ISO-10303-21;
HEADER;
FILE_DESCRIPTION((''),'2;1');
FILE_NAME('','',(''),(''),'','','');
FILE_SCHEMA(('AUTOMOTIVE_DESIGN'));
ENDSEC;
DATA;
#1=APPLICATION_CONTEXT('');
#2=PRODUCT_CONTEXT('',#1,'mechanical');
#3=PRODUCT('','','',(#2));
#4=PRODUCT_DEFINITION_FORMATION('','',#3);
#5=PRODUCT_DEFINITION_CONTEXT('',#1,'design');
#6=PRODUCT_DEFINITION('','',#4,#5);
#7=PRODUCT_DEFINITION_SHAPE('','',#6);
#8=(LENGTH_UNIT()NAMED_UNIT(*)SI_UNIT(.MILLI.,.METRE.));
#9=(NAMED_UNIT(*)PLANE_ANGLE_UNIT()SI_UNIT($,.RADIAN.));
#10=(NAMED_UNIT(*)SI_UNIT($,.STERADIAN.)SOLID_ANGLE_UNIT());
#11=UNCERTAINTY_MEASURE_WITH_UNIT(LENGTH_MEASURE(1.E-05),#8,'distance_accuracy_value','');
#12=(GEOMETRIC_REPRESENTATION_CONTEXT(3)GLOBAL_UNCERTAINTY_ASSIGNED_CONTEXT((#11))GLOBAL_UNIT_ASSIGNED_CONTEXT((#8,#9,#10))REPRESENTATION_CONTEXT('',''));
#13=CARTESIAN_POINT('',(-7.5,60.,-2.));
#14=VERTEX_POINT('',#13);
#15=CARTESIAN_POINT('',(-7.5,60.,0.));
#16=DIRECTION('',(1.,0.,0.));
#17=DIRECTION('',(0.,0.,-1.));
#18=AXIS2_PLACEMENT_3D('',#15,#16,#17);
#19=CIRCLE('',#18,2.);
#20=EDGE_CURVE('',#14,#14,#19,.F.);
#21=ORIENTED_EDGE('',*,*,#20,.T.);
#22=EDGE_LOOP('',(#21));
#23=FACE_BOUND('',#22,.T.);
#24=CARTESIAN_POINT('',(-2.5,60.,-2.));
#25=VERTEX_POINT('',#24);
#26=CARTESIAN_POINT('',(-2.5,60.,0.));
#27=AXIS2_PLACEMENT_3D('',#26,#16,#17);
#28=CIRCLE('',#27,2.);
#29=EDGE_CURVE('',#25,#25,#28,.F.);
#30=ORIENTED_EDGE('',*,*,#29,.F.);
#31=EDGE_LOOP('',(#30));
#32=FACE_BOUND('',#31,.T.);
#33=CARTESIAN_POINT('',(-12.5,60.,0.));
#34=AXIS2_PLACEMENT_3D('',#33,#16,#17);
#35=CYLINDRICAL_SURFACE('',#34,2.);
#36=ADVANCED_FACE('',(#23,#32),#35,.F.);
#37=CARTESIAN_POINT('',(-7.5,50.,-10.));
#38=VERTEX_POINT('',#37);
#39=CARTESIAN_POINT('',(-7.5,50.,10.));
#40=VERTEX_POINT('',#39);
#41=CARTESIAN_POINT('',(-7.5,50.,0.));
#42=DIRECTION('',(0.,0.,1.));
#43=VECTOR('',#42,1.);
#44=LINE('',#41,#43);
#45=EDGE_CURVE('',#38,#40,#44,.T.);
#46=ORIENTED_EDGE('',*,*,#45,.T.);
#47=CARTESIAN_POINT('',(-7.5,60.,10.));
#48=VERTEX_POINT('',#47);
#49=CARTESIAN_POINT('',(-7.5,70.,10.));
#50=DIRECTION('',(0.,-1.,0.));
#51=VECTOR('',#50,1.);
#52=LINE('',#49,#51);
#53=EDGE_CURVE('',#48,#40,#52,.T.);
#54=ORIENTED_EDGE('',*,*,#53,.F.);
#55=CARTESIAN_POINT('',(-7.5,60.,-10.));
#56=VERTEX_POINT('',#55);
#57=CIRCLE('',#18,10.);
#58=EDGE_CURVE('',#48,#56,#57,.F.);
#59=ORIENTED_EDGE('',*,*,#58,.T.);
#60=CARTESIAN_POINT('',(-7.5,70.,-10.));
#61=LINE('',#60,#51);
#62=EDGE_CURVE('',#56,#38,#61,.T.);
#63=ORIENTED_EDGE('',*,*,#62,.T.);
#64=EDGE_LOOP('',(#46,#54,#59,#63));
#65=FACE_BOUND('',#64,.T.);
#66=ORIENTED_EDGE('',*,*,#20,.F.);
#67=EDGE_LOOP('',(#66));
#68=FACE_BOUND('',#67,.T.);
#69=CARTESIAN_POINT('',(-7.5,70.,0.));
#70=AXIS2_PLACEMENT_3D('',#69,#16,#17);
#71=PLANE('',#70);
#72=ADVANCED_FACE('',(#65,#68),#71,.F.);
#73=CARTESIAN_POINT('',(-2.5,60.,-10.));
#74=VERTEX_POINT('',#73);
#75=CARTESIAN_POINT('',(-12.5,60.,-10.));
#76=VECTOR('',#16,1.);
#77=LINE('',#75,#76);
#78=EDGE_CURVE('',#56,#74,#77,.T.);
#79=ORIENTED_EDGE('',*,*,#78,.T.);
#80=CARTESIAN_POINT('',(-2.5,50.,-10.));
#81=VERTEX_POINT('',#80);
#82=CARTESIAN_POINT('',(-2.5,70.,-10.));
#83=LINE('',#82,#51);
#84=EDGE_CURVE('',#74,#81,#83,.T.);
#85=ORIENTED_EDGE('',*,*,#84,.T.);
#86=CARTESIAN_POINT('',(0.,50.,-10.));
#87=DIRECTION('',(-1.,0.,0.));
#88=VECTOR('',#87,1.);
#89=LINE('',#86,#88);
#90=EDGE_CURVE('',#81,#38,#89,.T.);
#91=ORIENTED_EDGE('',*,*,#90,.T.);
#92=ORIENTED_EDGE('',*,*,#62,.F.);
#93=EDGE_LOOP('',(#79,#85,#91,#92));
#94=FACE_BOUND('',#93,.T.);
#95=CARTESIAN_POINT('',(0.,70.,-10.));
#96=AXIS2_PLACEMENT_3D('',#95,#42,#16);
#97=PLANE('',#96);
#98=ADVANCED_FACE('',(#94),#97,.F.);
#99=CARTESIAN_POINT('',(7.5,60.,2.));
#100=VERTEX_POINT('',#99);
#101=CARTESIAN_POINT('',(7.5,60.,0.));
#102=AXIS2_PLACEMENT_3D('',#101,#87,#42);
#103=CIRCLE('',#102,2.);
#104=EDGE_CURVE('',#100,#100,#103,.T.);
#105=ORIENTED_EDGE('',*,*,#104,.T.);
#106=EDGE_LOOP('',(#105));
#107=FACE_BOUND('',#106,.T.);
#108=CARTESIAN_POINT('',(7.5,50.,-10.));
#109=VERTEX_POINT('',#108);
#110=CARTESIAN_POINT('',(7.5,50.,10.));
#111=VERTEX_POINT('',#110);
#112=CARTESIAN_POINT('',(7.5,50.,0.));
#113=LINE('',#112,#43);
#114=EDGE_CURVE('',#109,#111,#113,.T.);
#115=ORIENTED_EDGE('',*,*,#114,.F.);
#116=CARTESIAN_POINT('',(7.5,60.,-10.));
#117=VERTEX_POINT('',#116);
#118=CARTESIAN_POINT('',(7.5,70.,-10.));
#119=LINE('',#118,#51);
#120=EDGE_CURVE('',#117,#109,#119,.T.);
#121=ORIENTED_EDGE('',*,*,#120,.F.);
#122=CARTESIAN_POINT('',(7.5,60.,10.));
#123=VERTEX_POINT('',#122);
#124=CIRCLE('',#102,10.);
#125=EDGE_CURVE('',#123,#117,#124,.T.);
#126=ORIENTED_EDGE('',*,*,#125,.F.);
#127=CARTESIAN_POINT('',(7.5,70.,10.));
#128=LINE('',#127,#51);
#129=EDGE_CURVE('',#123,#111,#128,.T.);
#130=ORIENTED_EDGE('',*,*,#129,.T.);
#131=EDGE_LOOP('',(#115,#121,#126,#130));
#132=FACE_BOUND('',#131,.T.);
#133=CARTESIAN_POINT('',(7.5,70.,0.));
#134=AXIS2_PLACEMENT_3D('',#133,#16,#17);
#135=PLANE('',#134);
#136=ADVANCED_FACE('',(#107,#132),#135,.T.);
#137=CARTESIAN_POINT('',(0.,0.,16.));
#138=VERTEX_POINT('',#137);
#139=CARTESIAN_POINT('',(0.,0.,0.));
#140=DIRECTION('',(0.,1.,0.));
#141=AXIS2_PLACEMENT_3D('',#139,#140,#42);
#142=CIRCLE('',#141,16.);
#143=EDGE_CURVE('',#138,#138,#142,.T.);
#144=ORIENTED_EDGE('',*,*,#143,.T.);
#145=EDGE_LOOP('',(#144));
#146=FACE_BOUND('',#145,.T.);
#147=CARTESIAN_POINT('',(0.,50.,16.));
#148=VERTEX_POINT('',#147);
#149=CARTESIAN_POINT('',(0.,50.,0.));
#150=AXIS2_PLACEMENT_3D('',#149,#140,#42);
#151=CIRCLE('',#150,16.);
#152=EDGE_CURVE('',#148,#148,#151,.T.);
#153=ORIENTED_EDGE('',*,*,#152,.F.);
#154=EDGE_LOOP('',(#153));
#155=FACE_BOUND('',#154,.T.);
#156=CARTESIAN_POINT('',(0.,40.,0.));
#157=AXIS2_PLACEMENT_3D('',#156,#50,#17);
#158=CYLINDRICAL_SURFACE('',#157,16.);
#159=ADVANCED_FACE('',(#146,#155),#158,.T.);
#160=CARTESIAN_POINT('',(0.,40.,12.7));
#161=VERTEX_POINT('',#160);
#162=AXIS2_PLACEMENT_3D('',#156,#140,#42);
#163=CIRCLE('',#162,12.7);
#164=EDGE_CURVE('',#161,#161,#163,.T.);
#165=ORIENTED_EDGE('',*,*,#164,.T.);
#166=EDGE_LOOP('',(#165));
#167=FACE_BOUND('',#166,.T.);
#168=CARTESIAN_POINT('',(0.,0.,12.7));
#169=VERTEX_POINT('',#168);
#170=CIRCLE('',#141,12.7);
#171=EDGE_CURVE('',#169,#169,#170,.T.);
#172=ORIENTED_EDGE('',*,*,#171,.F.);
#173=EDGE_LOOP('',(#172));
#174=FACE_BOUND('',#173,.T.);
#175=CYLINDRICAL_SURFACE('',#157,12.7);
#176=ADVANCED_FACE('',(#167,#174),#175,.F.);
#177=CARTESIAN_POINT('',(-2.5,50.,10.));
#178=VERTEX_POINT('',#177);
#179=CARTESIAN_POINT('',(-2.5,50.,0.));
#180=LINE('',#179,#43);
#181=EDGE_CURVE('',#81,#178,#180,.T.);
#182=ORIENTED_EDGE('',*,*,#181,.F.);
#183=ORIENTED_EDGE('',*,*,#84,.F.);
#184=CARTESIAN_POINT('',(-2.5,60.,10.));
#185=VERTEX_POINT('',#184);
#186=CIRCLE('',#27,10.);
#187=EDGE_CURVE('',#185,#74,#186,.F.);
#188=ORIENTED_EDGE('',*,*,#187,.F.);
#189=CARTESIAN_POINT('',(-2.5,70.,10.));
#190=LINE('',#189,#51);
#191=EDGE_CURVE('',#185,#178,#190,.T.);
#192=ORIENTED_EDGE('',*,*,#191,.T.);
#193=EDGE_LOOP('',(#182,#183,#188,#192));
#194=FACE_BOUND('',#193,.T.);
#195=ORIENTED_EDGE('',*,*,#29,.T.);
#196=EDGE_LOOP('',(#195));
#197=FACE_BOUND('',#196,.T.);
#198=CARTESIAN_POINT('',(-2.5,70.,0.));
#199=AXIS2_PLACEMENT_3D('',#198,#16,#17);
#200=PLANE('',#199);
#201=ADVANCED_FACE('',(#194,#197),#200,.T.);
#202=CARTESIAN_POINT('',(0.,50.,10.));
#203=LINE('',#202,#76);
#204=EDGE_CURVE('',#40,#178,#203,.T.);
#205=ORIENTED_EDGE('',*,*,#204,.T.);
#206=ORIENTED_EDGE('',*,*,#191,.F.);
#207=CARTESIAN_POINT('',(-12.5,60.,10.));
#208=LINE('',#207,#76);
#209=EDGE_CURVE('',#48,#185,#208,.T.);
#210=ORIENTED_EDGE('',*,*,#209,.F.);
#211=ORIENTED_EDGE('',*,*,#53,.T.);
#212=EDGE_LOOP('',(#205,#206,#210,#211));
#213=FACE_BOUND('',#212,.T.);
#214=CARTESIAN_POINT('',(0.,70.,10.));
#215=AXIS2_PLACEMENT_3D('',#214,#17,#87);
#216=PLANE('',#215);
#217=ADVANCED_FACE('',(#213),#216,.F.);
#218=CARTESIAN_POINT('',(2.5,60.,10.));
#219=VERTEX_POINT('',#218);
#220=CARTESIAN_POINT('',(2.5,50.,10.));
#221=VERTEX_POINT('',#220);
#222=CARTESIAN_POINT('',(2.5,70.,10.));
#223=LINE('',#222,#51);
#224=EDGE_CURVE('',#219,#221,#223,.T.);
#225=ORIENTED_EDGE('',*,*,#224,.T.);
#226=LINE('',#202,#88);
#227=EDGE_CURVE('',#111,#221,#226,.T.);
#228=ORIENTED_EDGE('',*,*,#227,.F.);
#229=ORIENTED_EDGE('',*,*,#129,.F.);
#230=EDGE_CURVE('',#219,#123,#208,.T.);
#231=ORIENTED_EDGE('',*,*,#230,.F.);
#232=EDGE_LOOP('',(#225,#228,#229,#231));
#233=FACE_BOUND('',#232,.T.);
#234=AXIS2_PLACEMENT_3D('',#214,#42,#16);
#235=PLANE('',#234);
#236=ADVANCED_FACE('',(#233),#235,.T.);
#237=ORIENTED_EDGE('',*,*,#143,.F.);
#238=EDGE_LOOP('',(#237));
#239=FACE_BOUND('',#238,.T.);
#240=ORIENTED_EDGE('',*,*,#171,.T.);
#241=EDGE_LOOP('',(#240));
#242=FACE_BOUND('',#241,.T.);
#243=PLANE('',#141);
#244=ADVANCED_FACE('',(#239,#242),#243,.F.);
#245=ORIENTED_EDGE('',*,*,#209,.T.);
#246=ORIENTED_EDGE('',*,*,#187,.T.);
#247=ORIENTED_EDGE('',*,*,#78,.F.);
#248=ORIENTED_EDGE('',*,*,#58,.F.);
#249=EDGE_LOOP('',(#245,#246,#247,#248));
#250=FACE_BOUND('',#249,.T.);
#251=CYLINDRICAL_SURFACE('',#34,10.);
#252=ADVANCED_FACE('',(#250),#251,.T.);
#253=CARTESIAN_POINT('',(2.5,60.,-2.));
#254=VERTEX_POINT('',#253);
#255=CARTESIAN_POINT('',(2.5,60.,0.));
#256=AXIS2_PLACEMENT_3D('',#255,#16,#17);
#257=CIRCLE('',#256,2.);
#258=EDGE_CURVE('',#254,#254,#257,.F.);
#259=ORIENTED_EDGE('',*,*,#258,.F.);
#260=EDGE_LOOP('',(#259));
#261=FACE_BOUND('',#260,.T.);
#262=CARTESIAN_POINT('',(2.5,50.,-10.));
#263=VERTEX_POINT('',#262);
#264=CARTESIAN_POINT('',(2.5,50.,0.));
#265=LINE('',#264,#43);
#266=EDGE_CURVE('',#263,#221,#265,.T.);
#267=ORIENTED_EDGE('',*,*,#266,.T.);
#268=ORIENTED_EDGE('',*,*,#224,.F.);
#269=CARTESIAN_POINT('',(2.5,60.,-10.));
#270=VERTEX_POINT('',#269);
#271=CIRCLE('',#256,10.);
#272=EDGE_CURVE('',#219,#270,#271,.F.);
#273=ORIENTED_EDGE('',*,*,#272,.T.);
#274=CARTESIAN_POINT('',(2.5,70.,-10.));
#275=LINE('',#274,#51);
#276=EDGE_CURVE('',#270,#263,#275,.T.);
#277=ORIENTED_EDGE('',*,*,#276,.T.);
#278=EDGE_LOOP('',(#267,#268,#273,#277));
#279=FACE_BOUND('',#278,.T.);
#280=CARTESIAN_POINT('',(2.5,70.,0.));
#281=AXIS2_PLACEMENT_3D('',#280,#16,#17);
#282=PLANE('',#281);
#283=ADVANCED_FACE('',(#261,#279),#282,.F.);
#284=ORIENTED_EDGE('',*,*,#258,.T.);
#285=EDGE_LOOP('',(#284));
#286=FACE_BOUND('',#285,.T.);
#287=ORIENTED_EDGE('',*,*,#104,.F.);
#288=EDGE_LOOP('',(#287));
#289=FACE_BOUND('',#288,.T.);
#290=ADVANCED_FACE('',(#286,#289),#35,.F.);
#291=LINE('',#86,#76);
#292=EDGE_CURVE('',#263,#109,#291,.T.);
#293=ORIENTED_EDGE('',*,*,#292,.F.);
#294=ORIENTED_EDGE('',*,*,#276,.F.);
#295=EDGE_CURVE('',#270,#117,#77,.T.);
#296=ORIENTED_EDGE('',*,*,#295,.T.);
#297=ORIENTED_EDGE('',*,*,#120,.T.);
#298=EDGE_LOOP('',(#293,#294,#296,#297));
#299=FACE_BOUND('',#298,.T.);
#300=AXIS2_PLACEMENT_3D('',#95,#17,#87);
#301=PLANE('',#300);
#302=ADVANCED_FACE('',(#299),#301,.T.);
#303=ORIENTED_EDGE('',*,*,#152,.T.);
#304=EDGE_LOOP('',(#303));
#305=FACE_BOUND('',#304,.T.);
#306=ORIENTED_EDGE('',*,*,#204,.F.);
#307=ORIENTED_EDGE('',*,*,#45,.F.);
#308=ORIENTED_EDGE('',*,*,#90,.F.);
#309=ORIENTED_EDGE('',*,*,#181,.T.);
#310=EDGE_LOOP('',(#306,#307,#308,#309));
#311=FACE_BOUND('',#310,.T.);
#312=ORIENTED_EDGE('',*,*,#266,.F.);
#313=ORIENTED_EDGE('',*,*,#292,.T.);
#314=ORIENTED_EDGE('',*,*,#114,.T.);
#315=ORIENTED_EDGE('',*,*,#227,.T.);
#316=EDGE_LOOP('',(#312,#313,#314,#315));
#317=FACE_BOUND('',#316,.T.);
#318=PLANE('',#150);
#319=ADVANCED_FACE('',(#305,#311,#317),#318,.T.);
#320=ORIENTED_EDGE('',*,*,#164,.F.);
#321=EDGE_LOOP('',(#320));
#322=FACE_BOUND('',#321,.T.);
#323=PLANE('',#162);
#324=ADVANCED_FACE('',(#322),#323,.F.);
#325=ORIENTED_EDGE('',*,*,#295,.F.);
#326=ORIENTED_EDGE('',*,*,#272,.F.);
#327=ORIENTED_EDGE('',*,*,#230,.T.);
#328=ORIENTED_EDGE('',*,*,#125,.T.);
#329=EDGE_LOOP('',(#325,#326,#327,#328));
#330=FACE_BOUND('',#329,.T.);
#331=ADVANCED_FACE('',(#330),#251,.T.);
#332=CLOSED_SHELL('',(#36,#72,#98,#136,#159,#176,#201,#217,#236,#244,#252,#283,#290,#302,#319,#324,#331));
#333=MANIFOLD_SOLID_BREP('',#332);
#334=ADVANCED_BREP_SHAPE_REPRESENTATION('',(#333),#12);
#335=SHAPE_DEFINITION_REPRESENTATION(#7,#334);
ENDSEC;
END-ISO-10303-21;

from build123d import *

# Parameters (mm, degrees)
SKETCH1_R               = 16
SKETCH1_R_2             = 12.7
BOSS_EXTRUDE1_DEPTH     = 40
SKETCH2_R               = 16
BOSS_EXTRUDE2_DEPTH     = 10
SKETCH3_W               = 5
SKETCH3_H               = 20
BOSS_EXTRUDE3_DEPTH     = 20
CUT_EXTRUDE1_DEPTH      = 15
CUT_EXTRUDE1_DEPTH_BACK = 5


with BuildPart() as part:
    # Sketch1 → Boss-Extrude1 (new body)
    with BuildSketch(Plane(origin=(0, 0, 0), x_dir=(1, 0, 0), z_dir=(0, 1, 0))):
        with Locations(Location((0, 0, 0), (0, 0, 270))):
            Circle(SKETCH1_R)
        with Locations(Location((0, 0, 0), (0, 0, 270))):
            Circle(SKETCH1_R_2, mode=Mode.SUBTRACT)
    extrude(amount=BOSS_EXTRUDE1_DEPTH)

    # Sketch2 → Boss-Extrude2 (add)
    with BuildSketch(Plane(origin=(0, 40, 0), x_dir=(1, 0, 0), z_dir=(0, 1, 0))):
        with Locations(Location((0, 0, 0), (0, 0, 270))):
            Circle(SKETCH2_R)
    extrude(amount=BOSS_EXTRUDE2_DEPTH)

    # Sketch3 → Boss-Extrude3 (add)
    with BuildSketch(Plane(origin=(0, 50, 0), x_dir=(1, 0, 0), z_dir=(0, 1, 0))):
        with Locations((-5, 0)):
            Rectangle(SKETCH3_W, SKETCH3_H)
        with Locations((5, 0)):
            Rectangle(SKETCH3_W, SKETCH3_H)
    extrude(amount=BOSS_EXTRUDE3_DEPTH)

    # Sketch4 → Cut-Extrude1 (cut, two sides: drawn at the far end of the back side and taken through both)
    with BuildSketch(Plane.ZY.offset(-2.5).offset(-CUT_EXTRUDE1_DEPTH_BACK)):
        with BuildLine():
            Line((0, 70), (-10, 70))
            Line((-10, 70), (-10, 60))
            ThreePointArc((-10, 60), (-7.071067812, 67.071067812), (0, 70))
        make_face()
        with BuildLine():
            Line((10, 70), (0, 70))
            ThreePointArc((0, 70), (7.071067812, 67.071067812), (10, 60))
            Line((10, 60), (10, 70))
        make_face()
        with BuildLine():
            Line((0, 58), (0, 62))
            ThreePointArc((0, 62), (-2, 60), (0, 58))
        make_face()
        with BuildLine():
            ThreePointArc((2, 60), (1.414213562, 61.414213562), (0, 62))
            Line((0, 62), (0, 58))
            ThreePointArc((0, 58), (1.414213562, 58.585786438), (2, 60))
        make_face()
    extrude(amount=CUT_EXTRUDE1_DEPTH + CUT_EXTRUDE1_DEPTH_BACK, mode=Mode.SUBTRACT)


solid = part.part
